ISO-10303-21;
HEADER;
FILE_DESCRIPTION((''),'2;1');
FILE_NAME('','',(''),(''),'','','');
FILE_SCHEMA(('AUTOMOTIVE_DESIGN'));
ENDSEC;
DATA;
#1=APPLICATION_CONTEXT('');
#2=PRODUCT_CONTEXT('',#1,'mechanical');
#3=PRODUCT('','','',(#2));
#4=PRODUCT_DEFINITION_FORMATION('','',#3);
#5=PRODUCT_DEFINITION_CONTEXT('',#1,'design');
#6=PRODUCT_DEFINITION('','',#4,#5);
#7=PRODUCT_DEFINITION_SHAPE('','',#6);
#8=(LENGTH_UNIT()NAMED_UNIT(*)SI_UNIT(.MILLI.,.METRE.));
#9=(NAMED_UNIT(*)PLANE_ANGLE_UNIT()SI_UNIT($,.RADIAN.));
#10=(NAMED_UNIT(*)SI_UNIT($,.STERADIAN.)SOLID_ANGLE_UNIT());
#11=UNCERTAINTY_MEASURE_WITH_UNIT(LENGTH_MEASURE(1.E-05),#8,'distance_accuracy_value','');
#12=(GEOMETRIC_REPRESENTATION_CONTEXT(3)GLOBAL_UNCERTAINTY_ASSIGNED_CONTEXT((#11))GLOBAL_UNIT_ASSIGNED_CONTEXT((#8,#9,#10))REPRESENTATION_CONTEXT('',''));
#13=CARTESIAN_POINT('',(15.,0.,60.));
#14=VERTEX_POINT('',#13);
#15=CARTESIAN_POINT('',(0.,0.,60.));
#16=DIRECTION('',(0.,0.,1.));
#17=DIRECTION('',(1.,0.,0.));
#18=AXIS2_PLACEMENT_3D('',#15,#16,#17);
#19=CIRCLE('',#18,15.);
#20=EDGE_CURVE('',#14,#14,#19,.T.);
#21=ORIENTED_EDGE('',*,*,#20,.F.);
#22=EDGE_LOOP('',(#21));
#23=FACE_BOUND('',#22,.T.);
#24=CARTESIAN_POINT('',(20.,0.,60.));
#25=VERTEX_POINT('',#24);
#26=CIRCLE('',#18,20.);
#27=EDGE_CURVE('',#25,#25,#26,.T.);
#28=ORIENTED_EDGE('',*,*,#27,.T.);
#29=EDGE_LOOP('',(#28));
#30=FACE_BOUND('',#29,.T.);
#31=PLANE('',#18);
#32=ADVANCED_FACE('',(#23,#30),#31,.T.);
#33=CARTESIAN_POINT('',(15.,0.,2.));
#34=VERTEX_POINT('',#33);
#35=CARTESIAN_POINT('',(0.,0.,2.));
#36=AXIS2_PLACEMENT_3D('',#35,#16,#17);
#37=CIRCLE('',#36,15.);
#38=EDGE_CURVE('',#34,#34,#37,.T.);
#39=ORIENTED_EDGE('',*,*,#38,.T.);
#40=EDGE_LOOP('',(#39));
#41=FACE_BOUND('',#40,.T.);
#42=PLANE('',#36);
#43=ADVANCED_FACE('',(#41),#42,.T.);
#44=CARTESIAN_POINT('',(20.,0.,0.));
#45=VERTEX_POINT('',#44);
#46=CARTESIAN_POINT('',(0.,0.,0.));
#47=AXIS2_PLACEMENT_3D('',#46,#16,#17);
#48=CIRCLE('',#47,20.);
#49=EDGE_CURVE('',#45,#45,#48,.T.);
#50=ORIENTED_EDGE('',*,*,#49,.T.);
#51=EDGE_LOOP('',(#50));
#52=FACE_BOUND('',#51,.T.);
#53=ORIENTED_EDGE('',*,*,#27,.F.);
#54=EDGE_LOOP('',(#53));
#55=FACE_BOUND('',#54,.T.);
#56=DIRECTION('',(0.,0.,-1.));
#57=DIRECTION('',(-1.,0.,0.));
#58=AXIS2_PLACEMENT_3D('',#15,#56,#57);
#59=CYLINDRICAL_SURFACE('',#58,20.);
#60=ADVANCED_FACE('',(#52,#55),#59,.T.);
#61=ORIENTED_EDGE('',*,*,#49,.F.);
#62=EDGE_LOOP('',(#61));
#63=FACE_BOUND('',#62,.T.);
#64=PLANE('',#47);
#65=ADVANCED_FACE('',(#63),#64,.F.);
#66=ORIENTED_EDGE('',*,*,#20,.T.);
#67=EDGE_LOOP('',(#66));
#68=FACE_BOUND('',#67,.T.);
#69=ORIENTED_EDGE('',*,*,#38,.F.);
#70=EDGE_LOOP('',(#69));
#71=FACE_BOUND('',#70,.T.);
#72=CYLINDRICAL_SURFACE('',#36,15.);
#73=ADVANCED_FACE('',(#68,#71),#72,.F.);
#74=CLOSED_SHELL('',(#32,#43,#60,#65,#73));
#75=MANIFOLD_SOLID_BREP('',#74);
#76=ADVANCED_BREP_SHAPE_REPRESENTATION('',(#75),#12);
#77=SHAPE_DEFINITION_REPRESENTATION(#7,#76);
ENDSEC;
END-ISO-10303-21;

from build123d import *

# Parameters (mm, degrees)
SKETCH1_R           = 20
BOSS_EXTRUDE1_DEPTH = 60
SKETCH2_R           = 15
CUT_EXTRUDE1_DEPTH  = 58


with BuildPart() as part:
    # Sketch1 → Boss-Extrude1 (new body)
    with BuildSketch(Plane.XY):
        Circle(SKETCH1_R)
    extrude(amount=BOSS_EXTRUDE1_DEPTH)

    # Sketch2 → Cut-Extrude1 (cut)
    with BuildSketch(Plane.XY.offset(60)):
        Circle(SKETCH2_R)
    extrude(amount=-CUT_EXTRUDE1_DEPTH, mode=Mode.SUBTRACT)


solid = part.part
